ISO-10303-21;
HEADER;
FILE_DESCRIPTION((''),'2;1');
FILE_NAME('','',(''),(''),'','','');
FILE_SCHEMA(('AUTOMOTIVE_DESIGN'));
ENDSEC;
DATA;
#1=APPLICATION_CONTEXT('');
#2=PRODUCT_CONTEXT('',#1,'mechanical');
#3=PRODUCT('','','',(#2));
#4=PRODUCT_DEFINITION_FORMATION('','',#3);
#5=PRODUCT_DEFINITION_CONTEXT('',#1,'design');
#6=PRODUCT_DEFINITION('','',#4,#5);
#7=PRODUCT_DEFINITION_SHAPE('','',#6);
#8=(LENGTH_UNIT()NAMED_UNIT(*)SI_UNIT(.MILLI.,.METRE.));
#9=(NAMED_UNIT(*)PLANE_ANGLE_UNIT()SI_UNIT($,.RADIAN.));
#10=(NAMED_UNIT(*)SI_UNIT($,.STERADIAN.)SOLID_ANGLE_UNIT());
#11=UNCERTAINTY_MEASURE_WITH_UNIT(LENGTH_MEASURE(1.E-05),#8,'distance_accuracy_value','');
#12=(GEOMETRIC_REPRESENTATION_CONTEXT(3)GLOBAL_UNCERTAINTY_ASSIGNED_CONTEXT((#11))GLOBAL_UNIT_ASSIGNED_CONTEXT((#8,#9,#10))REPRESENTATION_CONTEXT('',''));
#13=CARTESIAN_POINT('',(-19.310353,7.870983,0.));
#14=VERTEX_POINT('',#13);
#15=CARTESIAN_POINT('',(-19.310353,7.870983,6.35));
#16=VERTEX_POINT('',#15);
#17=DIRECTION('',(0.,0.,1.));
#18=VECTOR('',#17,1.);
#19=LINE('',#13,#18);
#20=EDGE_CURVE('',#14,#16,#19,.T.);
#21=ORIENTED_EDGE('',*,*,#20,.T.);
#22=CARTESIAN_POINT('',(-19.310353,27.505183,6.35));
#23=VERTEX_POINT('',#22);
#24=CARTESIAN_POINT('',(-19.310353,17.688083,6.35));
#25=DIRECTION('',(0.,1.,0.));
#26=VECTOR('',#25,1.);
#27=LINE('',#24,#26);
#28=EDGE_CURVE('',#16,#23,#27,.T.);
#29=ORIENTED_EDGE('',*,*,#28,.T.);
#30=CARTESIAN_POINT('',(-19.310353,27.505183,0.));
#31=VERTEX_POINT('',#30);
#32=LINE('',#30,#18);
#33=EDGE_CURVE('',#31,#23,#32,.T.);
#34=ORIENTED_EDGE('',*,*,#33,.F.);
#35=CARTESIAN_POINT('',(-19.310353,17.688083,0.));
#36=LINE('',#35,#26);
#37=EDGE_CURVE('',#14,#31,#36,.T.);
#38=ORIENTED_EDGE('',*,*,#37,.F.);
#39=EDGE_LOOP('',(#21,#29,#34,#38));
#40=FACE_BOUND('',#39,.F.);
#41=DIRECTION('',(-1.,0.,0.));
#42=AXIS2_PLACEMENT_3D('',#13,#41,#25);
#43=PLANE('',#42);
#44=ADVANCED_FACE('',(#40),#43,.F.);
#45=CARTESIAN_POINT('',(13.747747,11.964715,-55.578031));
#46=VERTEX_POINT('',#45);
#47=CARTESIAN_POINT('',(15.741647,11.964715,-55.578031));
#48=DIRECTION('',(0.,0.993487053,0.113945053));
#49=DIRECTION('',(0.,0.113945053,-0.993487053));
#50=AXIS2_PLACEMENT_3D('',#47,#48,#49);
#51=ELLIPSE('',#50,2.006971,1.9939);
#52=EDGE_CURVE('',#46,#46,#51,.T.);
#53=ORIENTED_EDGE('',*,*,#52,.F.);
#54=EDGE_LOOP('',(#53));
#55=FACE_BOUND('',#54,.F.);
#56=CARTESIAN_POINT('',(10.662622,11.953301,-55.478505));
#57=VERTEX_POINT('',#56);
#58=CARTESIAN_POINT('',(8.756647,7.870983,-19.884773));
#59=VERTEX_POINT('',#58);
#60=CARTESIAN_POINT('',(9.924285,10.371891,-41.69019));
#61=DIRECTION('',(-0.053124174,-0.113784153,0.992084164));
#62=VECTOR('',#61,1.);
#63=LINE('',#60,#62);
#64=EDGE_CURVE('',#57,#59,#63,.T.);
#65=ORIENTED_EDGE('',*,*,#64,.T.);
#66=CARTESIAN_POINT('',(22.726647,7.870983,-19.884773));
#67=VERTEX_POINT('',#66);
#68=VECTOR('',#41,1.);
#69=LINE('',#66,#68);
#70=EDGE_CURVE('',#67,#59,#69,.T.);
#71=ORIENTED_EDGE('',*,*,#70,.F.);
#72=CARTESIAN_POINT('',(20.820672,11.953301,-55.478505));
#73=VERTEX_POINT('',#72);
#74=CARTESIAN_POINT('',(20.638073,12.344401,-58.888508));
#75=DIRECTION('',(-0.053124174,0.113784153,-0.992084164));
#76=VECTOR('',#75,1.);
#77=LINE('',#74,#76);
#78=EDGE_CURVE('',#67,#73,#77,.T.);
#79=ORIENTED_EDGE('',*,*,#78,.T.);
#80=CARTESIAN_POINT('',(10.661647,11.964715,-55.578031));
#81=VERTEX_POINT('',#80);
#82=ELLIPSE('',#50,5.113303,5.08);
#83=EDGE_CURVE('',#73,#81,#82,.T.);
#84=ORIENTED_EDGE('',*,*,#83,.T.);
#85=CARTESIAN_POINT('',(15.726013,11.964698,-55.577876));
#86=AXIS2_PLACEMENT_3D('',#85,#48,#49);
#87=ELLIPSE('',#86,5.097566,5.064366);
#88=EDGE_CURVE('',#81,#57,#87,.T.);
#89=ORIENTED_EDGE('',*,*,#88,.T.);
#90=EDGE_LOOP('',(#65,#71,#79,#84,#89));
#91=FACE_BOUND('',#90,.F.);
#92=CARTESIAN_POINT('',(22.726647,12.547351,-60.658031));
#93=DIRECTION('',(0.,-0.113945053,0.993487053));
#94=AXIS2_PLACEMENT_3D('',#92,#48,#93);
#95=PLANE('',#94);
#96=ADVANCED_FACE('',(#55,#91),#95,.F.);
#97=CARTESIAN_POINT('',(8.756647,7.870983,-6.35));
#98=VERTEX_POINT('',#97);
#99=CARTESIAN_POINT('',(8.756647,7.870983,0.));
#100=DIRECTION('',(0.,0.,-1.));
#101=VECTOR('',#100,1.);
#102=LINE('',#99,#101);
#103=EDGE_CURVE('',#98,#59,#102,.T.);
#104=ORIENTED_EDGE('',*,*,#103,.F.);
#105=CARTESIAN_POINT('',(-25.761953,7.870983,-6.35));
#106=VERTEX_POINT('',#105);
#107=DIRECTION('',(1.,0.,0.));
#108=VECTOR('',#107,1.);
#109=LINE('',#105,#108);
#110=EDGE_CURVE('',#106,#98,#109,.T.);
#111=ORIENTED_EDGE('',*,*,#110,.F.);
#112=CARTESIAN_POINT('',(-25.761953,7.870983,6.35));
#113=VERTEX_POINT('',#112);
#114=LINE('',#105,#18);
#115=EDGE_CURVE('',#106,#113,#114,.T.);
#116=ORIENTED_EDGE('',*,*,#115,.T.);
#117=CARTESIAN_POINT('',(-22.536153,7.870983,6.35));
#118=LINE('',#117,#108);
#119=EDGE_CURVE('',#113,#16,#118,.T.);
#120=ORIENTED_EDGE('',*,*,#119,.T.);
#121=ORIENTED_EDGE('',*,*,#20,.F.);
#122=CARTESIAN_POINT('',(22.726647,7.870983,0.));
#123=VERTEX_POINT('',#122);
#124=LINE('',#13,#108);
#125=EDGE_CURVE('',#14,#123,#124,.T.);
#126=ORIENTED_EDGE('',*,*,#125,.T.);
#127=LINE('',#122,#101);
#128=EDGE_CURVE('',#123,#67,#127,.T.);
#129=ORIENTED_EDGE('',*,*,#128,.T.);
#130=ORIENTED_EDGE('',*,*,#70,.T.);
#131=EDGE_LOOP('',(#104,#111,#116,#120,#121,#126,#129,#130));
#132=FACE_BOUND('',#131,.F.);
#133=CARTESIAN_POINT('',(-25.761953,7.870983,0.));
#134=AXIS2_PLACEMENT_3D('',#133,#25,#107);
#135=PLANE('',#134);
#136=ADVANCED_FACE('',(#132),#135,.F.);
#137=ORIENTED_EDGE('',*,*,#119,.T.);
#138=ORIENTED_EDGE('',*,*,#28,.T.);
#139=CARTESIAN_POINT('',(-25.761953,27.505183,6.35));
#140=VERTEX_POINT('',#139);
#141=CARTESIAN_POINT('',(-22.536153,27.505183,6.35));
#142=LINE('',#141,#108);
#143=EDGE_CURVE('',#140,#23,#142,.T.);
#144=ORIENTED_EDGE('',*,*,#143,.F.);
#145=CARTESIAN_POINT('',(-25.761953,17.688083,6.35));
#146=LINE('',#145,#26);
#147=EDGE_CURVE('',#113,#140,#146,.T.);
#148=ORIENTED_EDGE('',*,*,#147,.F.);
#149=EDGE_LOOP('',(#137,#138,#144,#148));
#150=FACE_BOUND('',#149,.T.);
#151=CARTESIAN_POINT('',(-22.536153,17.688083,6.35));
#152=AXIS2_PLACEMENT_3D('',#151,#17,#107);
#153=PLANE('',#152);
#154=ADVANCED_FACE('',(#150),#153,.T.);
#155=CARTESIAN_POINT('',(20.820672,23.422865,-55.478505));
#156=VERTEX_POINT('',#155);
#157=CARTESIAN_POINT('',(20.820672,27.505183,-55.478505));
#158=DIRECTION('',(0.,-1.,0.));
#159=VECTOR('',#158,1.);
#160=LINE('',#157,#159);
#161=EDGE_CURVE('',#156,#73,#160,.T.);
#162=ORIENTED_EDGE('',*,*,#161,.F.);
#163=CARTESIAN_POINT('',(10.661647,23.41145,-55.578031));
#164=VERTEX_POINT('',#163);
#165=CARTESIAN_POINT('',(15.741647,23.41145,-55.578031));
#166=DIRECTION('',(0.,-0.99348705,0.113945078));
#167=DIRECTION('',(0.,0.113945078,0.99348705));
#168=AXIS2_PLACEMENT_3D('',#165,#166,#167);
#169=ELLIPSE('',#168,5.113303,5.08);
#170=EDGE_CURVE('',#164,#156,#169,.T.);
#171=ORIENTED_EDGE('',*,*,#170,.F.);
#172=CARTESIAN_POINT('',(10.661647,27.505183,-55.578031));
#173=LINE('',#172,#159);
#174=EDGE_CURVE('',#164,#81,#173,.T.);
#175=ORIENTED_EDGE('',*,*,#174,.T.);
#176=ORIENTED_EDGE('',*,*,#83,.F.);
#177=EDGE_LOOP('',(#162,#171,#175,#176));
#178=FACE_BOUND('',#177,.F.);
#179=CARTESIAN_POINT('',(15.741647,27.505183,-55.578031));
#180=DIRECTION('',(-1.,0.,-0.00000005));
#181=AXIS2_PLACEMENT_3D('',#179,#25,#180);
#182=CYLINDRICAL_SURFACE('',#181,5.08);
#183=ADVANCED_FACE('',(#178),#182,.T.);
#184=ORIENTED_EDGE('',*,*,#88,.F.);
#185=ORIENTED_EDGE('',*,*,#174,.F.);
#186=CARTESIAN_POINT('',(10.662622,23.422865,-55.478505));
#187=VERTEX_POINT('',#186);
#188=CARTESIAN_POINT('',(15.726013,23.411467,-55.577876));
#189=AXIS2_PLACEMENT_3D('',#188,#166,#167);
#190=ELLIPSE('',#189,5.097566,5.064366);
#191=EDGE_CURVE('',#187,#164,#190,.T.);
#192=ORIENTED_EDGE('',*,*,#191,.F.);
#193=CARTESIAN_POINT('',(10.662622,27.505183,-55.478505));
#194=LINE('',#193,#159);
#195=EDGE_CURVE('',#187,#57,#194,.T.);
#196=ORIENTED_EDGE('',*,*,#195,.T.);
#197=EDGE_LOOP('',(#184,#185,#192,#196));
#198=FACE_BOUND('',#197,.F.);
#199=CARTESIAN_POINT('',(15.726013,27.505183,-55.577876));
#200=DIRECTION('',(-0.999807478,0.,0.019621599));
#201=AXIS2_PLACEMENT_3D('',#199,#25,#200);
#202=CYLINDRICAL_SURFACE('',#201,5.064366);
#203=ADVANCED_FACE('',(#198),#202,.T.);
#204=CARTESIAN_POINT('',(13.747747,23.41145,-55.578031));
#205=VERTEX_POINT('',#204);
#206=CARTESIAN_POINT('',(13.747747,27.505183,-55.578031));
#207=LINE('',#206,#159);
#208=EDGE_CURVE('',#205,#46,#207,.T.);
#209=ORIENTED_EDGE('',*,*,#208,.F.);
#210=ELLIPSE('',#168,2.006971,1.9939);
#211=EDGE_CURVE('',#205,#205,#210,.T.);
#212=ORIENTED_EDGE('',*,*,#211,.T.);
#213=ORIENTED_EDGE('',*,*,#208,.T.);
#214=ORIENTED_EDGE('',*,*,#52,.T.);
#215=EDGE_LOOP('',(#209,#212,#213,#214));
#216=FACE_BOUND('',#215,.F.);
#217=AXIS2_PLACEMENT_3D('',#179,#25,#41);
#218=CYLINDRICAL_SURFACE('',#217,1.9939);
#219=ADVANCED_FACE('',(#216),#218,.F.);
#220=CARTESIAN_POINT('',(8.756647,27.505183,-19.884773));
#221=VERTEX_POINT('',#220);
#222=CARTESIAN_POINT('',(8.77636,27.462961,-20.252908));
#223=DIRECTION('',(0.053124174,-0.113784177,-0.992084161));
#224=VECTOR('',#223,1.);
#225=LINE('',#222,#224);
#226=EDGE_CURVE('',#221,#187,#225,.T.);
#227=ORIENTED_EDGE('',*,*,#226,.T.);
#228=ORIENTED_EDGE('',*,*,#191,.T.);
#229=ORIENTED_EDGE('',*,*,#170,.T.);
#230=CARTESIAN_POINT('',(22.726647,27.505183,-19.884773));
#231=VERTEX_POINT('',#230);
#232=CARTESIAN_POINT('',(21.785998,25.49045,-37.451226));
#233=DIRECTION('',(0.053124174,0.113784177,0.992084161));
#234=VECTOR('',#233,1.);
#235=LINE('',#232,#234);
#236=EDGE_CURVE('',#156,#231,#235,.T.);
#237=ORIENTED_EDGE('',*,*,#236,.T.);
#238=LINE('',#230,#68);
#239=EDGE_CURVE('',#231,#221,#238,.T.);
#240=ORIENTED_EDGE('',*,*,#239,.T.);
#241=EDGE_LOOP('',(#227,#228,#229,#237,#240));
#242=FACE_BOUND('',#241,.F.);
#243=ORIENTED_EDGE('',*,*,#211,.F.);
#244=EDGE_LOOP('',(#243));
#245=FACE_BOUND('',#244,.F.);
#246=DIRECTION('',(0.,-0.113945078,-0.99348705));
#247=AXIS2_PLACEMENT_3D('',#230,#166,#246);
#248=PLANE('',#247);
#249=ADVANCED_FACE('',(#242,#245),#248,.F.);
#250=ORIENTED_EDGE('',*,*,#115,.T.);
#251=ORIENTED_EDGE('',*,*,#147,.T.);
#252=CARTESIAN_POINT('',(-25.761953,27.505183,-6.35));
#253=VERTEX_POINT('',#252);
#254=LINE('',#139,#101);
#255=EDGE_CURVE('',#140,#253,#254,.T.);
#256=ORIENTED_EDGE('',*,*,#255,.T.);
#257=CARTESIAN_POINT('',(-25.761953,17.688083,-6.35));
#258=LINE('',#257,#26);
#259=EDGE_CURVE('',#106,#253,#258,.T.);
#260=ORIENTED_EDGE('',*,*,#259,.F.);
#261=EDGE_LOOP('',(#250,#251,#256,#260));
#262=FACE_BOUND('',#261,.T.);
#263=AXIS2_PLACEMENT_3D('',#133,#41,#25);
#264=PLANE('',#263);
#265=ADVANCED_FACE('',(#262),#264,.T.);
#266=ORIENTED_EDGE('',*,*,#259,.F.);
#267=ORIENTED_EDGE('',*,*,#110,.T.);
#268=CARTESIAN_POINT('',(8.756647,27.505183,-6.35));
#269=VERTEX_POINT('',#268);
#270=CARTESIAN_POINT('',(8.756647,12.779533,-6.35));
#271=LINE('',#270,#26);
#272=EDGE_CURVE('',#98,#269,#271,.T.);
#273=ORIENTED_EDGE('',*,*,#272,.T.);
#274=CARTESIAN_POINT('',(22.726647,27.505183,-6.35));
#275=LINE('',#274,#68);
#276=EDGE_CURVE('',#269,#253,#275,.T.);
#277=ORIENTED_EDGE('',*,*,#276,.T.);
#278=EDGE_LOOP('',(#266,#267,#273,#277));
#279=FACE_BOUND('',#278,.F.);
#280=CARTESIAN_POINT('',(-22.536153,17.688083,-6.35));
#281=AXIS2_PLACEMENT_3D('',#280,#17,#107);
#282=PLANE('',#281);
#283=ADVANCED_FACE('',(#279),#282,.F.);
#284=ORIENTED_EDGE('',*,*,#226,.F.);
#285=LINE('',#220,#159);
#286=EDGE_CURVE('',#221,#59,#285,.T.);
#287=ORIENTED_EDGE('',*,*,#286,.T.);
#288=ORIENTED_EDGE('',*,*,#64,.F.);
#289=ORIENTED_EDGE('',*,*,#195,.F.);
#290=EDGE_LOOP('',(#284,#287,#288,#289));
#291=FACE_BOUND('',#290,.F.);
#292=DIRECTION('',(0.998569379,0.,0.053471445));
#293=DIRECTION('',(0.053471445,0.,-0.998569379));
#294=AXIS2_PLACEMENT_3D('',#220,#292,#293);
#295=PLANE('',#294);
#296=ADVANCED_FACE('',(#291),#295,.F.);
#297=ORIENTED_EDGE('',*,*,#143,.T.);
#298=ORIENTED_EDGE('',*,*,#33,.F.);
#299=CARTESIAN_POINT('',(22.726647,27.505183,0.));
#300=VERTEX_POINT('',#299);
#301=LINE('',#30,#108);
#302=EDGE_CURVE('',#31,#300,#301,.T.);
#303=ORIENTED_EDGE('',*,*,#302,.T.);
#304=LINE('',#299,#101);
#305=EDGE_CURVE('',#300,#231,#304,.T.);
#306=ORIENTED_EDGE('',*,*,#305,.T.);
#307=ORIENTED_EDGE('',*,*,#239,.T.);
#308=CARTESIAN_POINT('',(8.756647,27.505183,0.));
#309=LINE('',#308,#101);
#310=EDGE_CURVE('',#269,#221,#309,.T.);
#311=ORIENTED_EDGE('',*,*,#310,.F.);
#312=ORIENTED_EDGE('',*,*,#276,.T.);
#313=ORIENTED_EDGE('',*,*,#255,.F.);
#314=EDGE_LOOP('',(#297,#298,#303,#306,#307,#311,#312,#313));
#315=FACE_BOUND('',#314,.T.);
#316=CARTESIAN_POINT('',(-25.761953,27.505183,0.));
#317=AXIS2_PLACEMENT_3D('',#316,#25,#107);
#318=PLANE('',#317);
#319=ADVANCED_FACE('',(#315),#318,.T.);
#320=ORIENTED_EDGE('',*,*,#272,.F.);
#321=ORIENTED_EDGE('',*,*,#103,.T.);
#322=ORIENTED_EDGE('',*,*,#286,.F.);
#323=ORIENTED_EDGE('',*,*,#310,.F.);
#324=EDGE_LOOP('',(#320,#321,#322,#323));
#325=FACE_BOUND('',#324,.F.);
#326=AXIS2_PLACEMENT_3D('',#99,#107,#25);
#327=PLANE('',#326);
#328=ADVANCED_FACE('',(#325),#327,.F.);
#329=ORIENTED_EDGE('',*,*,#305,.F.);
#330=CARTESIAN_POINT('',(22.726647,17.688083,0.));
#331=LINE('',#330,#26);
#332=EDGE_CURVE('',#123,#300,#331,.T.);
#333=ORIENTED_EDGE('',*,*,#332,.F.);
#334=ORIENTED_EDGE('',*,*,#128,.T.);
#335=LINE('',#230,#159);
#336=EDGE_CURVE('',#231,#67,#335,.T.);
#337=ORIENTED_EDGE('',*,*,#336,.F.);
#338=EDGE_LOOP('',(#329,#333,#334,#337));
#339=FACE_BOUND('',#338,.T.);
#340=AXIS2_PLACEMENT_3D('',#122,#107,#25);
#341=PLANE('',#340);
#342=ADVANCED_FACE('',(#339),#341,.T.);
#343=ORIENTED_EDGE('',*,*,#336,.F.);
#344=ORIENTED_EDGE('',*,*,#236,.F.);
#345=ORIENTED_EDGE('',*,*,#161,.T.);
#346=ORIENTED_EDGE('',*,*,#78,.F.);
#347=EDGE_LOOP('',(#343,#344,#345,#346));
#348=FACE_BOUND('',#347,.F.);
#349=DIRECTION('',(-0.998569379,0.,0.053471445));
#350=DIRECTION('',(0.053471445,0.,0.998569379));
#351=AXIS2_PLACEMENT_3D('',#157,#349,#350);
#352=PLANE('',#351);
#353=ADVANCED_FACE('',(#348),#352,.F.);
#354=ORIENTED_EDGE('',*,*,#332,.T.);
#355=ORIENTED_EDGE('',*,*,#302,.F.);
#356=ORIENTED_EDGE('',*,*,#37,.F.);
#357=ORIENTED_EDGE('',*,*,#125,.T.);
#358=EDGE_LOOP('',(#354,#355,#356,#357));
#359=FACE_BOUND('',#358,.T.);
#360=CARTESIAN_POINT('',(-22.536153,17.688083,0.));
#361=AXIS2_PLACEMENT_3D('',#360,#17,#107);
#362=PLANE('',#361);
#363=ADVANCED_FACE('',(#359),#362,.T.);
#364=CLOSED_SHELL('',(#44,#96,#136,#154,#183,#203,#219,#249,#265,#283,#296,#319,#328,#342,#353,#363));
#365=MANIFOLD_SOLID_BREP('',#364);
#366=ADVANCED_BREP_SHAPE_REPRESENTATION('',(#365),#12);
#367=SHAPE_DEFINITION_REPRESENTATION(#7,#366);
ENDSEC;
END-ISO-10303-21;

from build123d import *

# Parameters (mm, degrees)
F0_W     = 6.4516
F0_H     = 19.6342
F0_W_2   = 28.067
F0_W_3   = 13.97
F1_DEPTH = 6.35
F2_DEPTH = 6.35
F3_DEPTH = 60.96
F5_DEPTH = 19.6352
F4_R     = 1.9939
F6_DEPTH = 19.6352
F8_DEPTH = 48.4896


with BuildPart() as f1:
    # F0 (on Top) → F1 (new body)
    with BuildSketch(Plane.XY):
        with Locations((-22.536153, 17.688083)):
            Rectangle(F0_W, F0_H)
        with Locations((-5.276853, 17.688083)):
            Rectangle(F0_W_2, F0_H)
        with Locations((15.741647, 17.688083)):
            Rectangle(F0_W_3, F0_H)
    extrude(amount=-F1_DEPTH)

    # F0 (on Top) → F2 (join)
    with BuildSketch(Plane.XY):
        with Locations((-22.536153, 17.688083)):
            Rectangle(F0_W, F0_H)
    extrude(amount=F2_DEPTH)

    # F0 (on Top) → F3 (join)
    with BuildSketch(Plane.XY):
        with Locations((15.741647, 17.688083)):
            Rectangle(F0_W_3, F0_H)
    extrude(amount=-F3_DEPTH)

    # F4 (on face) → F5 (cut, through all)
    with BuildSketch(Plane(origin=(0, 27.505183, 0), x_dir=(-1, 0, 0), z_dir=(0, 1, 0))):
        with BuildLine():
            ThreePointArc((-10.662622, -55.478505), (-10.66189, -55.528265), (-10.661647, -55.578031))
            ThreePointArc((-10.661647, -55.578031), (-15.791412, -60.657787), (-20.820672, -55.478505))
            Line((-20.820672, -55.478505), (-22.726647, -19.884773))
            Line((-22.726647, -19.884773), (-22.726647, -60.96))
            Line((-22.726647, -60.96), (-8.756647, -60.96))
            Line((-8.756647, -60.96), (-8.756647, -19.884773))
            Line((-8.756647, -19.884773), (-10.662622, -55.478505))
        make_face()
    extrude(amount=-F5_DEPTH, mode=Mode.SUBTRACT)

    # F4 (on face) → F6 (cut, through all)
    with BuildSketch(Plane(origin=(0, 27.505183, 0), x_dir=(-1, 0, 0), z_dir=(0, 1, 0))):
        with Locations((-15.741647, -55.578031)):
            Circle(F4_R)
    extrude(amount=-F6_DEPTH, mode=Mode.SUBTRACT)

    # F7 (on face) → F8 (cut, through all)
    with BuildSketch(Plane.YZ.offset(22.726647)):
        Polygon((22.828814, -60.658031), (27.505183, -60.658031), (27.505183, -55.478505), (27.505183, -19.884773), align=None)
        Polygon((7.870983, -60.658031), (12.547351, -60.658031), (7.870983, -19.884773), (7.870983, -55.478505), align=None)
    extrude(amount=-F8_DEPTH, mode=Mode.SUBTRACT)


solid = f1.part
